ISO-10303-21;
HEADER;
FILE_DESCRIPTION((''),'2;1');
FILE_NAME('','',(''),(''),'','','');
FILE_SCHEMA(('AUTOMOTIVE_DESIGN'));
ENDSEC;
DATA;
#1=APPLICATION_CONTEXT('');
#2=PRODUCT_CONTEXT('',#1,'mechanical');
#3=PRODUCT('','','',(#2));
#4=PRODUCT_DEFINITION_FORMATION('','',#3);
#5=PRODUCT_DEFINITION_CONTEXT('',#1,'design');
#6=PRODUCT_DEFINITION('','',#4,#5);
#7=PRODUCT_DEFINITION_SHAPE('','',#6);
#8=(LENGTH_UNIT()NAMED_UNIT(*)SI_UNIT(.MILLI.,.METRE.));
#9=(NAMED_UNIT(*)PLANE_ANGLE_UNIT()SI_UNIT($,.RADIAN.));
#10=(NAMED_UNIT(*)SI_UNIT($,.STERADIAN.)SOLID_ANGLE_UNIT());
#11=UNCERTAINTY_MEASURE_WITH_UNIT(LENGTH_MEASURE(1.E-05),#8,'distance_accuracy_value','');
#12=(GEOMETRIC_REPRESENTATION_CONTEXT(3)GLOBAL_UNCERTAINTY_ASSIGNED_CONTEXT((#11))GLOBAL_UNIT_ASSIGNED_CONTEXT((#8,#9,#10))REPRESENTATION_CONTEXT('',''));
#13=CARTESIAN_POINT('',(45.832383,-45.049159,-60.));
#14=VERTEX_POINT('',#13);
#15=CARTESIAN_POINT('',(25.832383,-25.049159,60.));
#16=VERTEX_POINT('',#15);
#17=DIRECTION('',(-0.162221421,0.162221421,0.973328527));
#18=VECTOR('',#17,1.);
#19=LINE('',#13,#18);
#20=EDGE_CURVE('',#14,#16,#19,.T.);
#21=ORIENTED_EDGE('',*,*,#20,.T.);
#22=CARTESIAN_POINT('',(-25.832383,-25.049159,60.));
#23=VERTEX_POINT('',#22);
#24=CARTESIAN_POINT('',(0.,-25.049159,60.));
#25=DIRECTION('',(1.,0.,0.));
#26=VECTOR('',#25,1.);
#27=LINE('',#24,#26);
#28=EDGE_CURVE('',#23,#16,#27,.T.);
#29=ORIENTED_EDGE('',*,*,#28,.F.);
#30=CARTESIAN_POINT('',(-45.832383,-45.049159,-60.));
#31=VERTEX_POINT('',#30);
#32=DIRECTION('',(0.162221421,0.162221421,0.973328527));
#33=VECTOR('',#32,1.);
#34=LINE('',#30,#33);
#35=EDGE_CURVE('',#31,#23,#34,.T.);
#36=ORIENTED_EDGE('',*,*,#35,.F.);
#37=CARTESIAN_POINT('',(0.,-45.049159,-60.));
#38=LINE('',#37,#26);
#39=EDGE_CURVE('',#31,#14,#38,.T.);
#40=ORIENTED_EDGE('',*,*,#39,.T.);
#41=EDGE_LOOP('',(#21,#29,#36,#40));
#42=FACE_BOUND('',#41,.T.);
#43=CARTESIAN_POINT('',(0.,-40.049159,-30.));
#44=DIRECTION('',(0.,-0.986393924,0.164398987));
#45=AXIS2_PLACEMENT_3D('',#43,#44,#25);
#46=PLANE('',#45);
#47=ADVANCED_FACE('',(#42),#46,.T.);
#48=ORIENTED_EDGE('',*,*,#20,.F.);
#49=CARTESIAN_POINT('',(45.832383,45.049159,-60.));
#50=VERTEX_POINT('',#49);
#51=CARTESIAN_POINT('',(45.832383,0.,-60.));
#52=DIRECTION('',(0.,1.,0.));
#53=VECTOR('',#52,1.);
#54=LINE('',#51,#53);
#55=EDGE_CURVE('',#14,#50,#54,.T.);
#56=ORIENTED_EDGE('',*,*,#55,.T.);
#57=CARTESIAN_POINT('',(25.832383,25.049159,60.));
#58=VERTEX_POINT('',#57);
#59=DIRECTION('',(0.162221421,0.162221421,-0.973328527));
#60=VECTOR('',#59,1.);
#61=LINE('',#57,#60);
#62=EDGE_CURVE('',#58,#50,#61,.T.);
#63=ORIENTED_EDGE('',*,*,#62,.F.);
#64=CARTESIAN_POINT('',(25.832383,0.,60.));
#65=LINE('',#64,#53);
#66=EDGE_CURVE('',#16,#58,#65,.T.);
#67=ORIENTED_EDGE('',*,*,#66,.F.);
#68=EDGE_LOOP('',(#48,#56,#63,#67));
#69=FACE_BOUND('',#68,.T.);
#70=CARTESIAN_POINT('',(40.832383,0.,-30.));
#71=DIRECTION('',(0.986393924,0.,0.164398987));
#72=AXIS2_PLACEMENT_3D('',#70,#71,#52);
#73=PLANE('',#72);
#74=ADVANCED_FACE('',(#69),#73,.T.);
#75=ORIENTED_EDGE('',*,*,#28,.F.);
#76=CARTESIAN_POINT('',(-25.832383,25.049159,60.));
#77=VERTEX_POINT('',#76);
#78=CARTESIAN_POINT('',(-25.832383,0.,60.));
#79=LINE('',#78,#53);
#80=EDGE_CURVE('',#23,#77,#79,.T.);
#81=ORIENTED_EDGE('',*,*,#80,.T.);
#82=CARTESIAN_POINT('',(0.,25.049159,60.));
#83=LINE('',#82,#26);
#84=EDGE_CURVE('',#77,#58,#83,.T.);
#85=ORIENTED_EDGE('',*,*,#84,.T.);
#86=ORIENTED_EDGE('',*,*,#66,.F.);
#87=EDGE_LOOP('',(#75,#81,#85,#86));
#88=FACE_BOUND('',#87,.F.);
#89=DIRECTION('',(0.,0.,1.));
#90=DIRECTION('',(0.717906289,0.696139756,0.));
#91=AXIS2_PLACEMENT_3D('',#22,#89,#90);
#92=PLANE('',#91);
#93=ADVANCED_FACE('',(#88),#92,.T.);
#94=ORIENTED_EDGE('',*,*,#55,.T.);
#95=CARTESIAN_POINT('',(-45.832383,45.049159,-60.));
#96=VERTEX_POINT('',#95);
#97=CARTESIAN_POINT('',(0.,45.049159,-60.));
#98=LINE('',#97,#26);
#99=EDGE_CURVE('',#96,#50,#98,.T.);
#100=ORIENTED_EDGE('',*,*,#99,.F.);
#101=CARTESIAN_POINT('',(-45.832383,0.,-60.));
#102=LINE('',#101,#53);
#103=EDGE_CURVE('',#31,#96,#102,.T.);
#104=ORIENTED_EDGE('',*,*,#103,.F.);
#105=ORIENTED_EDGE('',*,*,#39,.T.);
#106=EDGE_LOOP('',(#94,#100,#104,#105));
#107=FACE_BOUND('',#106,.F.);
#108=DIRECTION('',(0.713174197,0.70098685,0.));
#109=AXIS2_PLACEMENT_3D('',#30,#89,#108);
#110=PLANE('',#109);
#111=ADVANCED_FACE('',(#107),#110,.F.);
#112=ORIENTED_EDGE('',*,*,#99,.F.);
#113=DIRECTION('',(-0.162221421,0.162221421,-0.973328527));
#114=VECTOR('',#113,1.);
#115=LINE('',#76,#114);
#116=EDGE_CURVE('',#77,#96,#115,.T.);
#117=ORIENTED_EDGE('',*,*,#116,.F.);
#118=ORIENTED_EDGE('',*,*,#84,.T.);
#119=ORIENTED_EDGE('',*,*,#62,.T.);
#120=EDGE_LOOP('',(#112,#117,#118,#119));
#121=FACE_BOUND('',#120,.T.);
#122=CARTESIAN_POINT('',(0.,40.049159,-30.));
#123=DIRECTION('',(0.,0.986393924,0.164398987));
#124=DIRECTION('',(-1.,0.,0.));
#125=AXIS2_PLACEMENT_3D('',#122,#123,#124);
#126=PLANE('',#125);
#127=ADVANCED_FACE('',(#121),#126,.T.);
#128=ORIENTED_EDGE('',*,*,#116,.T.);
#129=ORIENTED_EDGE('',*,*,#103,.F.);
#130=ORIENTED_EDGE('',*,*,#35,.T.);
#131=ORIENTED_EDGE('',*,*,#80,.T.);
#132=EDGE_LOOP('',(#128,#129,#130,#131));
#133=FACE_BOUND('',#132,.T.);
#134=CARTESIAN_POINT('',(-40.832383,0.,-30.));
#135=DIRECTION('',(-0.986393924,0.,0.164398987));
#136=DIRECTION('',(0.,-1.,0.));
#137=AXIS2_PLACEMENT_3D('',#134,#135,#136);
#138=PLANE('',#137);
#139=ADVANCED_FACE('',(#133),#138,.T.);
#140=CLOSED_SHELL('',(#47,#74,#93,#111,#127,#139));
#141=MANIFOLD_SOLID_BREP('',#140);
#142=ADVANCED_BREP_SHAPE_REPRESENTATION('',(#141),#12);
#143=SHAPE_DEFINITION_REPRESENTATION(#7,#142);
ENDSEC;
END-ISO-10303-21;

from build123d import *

# Parameters (mm, degrees)
F4_W      = 91.664766
F4_H      = 90.098318
F0_W      = 71.664766
F0_H      = 70.098318
F5_FACE_W = 91.664766
F5_FACE_H = 90.098318
F3_W      = 51.664766
F3_H      = 50.098318


with BuildPart() as f5:
    # F4 (on offset) → F5 section 0
    with BuildSketch(Plane.XY.offset(-60)):
        Rectangle(F4_W, F4_H)
    # F0 (on Top) → F5 section 1
    with BuildSketch(Plane.XY):
        Rectangle(F0_W, F0_H)
    loft()

    # F5_face (on face) → F6 section 0
    with BuildSketch(Plane(origin=(0, 0, -60), x_dir=(1, 0, 0), z_dir=(0, 0, -1))):
        Rectangle(F5_FACE_W, F5_FACE_H)
    # F3 (on offset) → F6 section 1
    with BuildSketch(Plane.XY.offset(60)):
        Rectangle(F3_W, F3_H)
    loft()


solid = f5.part
